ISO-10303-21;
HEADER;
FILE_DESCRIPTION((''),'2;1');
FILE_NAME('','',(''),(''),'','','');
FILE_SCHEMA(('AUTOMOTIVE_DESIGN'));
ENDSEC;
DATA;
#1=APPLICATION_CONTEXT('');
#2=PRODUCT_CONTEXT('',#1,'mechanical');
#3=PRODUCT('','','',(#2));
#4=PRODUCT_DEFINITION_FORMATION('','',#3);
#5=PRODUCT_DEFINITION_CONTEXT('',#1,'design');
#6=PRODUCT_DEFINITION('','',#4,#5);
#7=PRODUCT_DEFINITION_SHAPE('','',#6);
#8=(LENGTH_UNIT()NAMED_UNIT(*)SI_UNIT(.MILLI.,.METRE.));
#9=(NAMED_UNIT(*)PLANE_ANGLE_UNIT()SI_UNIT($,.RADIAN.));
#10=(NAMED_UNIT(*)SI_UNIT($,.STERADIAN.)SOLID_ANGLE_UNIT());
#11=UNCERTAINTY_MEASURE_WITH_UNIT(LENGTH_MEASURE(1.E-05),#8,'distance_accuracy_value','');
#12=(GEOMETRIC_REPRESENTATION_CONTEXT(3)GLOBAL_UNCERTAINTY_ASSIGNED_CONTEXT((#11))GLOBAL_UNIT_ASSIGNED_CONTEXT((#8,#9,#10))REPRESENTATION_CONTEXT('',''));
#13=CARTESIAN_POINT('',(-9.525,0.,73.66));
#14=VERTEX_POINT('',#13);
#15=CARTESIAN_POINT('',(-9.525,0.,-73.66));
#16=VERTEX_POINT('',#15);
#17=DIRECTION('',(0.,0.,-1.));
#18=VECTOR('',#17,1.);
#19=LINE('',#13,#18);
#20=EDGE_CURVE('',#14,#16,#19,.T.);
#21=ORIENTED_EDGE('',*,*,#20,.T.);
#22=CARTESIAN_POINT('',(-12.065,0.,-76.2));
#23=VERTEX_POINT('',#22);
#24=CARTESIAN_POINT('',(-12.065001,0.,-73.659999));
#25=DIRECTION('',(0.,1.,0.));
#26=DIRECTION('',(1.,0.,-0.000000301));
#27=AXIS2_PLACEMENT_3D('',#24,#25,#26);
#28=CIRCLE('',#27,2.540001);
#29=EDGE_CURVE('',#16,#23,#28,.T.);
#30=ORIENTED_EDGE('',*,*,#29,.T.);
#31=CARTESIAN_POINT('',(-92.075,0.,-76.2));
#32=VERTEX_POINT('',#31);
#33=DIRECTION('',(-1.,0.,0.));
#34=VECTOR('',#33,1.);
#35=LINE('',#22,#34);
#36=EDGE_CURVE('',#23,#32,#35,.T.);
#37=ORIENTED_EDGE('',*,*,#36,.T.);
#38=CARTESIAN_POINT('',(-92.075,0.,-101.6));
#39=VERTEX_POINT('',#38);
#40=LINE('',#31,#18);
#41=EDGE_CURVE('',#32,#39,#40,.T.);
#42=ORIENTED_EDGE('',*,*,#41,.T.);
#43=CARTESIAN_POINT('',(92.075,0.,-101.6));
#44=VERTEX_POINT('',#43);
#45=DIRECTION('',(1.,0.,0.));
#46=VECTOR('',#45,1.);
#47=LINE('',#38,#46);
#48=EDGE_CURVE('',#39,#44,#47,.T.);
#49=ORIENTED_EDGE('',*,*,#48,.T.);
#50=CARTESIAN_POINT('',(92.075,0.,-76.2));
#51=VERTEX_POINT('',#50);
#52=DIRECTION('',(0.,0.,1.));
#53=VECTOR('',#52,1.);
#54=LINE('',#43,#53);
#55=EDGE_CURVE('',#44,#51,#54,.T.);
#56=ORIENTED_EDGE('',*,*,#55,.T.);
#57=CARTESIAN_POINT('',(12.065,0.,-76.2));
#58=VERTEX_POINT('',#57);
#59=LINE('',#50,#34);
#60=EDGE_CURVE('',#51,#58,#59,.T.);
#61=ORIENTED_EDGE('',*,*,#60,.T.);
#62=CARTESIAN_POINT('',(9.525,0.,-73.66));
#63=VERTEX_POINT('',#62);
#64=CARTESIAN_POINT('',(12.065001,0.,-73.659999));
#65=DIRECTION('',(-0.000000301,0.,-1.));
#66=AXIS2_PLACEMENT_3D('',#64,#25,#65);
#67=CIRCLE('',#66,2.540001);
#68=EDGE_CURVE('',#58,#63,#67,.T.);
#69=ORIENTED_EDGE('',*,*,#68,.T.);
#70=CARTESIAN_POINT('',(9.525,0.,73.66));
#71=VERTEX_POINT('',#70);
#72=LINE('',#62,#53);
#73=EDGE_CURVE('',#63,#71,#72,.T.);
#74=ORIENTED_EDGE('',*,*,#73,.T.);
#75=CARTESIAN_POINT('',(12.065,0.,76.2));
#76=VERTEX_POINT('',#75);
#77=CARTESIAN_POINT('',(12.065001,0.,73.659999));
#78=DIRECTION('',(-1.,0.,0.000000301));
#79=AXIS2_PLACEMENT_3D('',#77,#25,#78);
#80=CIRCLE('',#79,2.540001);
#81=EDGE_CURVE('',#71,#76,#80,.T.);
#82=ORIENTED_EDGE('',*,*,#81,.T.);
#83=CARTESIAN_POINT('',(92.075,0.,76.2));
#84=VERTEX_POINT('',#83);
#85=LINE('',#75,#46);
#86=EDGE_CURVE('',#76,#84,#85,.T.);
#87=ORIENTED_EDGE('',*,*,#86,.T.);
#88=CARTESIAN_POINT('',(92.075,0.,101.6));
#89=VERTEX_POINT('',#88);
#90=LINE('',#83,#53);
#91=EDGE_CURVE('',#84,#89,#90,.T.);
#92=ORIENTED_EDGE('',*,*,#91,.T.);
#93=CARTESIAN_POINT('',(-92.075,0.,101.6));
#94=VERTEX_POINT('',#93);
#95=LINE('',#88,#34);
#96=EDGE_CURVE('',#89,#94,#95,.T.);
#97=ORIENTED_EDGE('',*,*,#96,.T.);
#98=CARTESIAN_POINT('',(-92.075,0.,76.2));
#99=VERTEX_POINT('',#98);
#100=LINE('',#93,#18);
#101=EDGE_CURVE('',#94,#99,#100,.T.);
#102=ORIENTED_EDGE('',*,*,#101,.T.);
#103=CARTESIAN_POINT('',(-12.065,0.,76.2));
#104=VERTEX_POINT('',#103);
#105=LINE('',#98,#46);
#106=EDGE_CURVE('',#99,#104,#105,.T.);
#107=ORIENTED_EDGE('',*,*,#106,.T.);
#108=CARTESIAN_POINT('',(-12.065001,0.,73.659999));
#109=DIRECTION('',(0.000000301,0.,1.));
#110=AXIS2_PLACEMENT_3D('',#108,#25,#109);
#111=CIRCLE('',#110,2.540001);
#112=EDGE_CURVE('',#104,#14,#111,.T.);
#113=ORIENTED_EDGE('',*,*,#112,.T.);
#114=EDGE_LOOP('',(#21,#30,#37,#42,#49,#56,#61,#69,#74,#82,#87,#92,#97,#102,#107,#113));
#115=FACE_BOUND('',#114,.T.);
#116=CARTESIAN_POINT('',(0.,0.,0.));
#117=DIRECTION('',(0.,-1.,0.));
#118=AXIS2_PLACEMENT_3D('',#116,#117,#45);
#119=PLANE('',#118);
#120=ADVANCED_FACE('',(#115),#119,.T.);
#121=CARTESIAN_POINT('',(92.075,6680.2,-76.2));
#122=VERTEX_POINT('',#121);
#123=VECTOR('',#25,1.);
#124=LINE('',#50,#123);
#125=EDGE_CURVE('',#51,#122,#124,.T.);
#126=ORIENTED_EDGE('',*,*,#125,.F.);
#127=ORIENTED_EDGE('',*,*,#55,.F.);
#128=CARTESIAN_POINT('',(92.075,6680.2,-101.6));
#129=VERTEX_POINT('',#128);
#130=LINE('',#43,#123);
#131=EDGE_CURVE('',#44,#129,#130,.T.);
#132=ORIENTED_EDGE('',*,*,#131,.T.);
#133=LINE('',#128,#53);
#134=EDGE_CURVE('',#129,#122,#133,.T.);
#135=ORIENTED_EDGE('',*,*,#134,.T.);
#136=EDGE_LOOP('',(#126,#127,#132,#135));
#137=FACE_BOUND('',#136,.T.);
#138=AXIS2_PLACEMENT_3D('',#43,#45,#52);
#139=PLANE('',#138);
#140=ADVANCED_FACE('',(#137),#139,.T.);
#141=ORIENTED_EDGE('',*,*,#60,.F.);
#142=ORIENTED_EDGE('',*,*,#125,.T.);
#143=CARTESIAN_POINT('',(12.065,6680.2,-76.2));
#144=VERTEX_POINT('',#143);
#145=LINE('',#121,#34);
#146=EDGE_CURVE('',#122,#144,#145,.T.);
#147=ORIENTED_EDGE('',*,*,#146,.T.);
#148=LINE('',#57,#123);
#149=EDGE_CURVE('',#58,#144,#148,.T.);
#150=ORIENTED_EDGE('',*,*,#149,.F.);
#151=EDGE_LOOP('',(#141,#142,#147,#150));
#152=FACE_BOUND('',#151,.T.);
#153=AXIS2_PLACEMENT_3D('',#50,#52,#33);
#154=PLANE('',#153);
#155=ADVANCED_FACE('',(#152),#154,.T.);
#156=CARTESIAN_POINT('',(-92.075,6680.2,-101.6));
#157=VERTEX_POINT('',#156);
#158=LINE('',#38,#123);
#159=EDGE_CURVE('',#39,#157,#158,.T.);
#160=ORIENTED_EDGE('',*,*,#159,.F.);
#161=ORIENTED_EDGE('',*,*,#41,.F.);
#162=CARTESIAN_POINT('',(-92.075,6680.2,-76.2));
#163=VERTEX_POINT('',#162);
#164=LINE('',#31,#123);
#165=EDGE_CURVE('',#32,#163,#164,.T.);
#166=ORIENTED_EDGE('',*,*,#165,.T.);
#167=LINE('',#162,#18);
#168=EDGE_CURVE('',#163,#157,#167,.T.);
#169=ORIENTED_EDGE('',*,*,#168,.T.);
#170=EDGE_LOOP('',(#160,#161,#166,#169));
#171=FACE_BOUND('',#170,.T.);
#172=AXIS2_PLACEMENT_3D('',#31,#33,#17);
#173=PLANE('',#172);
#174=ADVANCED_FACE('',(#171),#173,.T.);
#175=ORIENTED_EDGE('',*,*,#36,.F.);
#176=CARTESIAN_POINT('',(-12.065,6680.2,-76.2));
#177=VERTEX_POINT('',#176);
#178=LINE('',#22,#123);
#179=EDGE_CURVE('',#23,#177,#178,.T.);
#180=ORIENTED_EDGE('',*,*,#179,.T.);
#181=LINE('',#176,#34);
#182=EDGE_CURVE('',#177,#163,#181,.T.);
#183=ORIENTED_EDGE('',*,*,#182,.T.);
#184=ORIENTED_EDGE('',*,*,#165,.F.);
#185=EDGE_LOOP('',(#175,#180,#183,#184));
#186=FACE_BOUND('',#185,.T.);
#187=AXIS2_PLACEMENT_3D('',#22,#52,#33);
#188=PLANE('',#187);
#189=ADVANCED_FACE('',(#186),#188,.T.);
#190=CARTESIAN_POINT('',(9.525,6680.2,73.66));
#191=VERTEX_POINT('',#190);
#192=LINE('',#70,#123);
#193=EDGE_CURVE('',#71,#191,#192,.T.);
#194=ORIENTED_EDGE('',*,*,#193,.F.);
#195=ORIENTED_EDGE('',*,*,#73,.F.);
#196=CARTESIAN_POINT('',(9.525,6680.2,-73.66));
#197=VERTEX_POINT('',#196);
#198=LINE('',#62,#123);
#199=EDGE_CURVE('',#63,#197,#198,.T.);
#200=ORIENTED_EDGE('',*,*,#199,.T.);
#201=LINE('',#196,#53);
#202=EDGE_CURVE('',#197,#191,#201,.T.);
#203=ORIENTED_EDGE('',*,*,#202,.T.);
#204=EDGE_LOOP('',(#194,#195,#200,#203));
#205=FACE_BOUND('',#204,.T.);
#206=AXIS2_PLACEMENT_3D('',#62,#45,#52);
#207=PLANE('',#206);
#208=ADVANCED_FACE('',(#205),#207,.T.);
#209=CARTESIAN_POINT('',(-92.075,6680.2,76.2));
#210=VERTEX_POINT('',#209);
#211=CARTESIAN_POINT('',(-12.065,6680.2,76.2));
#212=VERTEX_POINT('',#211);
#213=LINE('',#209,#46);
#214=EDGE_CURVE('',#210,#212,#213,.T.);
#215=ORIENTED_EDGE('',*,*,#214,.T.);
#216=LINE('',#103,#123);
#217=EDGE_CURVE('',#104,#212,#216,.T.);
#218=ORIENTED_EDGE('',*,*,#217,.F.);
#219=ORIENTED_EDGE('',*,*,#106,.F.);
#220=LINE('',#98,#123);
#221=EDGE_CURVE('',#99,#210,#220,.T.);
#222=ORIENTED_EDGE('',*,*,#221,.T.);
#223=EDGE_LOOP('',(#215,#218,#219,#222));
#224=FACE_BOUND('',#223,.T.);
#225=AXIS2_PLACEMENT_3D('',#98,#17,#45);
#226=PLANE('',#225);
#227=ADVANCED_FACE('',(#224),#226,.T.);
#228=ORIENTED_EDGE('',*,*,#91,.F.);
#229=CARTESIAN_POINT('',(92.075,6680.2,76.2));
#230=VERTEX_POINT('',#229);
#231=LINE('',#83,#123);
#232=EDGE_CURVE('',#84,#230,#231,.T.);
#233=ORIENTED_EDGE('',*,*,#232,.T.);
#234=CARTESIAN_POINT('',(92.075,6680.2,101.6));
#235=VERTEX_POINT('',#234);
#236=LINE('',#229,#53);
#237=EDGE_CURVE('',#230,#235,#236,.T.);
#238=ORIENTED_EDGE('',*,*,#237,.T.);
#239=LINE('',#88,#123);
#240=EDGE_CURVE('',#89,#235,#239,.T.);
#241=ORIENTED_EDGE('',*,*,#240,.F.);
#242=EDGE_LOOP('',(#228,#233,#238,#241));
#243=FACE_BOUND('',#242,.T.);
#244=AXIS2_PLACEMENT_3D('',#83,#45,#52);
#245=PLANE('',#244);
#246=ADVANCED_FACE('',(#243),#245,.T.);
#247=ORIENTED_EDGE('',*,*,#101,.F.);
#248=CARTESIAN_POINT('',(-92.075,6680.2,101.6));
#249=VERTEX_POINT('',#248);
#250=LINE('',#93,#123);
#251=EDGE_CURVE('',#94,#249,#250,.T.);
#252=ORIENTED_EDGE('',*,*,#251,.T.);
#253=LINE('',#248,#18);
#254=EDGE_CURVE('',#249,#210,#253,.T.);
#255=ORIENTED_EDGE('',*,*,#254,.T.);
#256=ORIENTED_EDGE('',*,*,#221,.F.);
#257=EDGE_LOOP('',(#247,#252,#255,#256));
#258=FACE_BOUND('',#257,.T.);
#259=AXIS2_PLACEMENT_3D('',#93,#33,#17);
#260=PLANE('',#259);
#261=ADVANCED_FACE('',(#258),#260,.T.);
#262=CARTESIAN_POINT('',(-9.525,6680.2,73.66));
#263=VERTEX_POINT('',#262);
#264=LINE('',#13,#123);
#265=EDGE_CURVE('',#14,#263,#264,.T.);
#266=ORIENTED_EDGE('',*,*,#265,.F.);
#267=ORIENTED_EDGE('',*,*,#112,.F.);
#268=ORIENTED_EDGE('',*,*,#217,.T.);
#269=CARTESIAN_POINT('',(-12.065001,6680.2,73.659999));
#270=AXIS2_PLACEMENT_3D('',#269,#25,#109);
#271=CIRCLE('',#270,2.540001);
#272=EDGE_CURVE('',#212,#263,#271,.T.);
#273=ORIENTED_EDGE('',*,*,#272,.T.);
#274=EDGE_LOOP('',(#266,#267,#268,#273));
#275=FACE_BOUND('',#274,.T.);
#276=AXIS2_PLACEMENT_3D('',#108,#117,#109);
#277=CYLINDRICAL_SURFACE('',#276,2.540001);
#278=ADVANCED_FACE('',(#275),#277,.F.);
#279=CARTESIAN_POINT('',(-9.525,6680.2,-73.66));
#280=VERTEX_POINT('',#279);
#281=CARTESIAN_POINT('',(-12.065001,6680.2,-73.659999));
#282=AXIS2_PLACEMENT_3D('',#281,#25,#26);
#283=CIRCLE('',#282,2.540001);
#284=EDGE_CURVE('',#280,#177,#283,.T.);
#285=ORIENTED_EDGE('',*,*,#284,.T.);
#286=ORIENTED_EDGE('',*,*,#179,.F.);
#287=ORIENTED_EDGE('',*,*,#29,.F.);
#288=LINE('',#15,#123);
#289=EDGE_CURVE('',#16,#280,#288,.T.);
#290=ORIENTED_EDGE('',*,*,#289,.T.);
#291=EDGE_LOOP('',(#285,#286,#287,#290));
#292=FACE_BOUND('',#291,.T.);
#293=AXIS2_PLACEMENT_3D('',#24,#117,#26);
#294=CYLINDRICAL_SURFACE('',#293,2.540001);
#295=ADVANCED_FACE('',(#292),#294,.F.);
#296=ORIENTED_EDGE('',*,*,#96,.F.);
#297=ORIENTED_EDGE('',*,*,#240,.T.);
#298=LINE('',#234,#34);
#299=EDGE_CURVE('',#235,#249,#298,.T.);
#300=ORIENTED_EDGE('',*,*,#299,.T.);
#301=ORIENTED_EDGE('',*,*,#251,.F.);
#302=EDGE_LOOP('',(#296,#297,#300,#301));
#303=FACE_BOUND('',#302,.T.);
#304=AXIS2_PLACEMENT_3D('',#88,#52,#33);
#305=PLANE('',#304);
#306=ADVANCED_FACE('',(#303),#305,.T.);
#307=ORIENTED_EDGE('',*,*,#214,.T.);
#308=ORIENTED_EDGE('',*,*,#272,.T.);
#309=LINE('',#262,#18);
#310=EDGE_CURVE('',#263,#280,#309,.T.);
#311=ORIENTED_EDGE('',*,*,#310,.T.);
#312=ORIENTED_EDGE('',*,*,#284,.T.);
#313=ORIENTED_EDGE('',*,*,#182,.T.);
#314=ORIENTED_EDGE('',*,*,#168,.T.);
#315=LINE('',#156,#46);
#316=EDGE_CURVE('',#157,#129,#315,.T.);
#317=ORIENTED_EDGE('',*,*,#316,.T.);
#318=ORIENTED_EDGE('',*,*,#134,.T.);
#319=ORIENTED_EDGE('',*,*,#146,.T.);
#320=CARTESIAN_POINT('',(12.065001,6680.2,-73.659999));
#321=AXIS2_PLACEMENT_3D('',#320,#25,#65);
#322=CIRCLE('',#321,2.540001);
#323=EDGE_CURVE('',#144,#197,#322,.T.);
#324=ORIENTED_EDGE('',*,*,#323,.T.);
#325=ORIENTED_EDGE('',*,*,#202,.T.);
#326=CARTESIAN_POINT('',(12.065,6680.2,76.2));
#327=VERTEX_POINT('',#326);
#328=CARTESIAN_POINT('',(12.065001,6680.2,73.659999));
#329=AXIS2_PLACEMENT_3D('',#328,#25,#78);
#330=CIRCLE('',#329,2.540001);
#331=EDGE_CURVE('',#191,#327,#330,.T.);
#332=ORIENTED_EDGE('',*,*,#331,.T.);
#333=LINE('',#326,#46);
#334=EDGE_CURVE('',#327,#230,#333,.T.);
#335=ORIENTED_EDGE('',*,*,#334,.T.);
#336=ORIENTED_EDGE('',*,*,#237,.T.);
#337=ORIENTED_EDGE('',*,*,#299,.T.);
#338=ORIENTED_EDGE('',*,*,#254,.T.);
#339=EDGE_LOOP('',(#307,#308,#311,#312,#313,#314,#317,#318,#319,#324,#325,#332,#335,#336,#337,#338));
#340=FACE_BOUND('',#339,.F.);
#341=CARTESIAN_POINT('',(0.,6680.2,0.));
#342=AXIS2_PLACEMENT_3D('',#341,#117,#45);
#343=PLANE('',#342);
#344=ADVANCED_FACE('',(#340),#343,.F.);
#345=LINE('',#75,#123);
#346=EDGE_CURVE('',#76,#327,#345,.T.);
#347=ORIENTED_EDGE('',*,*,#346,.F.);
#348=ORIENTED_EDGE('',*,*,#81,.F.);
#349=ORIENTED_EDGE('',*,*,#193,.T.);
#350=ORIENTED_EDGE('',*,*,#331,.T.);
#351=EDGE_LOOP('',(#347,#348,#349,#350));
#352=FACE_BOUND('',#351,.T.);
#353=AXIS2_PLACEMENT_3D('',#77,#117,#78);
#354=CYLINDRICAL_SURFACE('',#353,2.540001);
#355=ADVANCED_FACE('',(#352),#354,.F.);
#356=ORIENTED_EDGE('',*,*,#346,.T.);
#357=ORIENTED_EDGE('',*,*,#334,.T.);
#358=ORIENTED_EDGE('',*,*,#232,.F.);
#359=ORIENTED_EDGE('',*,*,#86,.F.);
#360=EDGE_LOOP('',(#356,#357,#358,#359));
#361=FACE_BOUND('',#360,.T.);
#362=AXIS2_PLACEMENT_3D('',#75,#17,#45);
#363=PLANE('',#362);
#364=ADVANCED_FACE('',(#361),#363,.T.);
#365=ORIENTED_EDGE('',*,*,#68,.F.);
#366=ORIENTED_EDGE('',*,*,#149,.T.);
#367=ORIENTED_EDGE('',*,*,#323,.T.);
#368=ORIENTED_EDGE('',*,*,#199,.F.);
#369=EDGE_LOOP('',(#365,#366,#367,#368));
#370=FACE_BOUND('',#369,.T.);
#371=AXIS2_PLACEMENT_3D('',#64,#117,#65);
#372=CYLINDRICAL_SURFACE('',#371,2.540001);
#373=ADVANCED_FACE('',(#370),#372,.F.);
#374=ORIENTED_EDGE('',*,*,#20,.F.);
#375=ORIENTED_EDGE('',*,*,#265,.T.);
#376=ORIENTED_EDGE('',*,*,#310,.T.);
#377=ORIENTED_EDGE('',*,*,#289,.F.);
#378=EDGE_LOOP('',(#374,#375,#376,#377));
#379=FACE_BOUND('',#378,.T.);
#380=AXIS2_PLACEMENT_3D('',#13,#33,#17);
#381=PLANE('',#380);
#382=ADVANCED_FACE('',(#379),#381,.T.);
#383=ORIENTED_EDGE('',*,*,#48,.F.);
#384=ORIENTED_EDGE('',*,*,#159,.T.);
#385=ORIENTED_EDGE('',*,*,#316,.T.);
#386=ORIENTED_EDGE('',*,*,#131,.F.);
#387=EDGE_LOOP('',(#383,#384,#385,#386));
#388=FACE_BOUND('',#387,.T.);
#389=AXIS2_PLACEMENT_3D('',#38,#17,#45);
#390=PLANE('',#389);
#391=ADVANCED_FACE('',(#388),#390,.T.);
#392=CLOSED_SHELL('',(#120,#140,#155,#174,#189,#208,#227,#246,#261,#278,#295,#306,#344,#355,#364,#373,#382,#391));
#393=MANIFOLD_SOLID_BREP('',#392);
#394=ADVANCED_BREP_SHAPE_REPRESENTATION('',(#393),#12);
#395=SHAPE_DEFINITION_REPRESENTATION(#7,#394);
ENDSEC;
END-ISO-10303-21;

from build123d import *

# Parameters (mm, degrees)
F1_DEPTH = 6680.2


with BuildPart() as f1:
    # F0 (on Front) → F1 (new body)
    with BuildSketch(Plane.XZ):
        with BuildLine():
            Line((92.075, -101.6), (92.075, -76.2))
            Line((92.075, -76.2), (12.065, -76.2))
            ThreePointArc((12.065, -76.2), (10.268949, -75.456051), (9.525, -73.66))
            Line((9.525, -73.66), (9.525, 73.66))
            ThreePointArc((9.525, 73.66), (10.268949, 75.456051), (12.065, 76.2))
            Line((12.065, 76.2), (92.075, 76.2))
            Line((92.075, 76.2), (92.075, 101.6))
            Line((92.075, 101.6), (-92.075, 101.6))
            Line((-92.075, 101.6), (-92.075, 76.2))
            Line((-92.075, 76.2), (-12.065, 76.2))
            ThreePointArc((-12.065, 76.2), (-10.268949, 75.456051), (-9.525, 73.66))
            Line((-9.525, 73.66), (-9.525, -73.66))
            ThreePointArc((-9.525, -73.66), (-10.268949, -75.456051), (-12.065, -76.2))
            Line((-12.065, -76.2), (-92.075, -76.2))
            Line((-92.075, -76.2), (-92.075, -101.6))
            Line((-92.075, -101.6), (92.075, -101.6))
        make_face()
    extrude(amount=-F1_DEPTH)


solid = f1.part
